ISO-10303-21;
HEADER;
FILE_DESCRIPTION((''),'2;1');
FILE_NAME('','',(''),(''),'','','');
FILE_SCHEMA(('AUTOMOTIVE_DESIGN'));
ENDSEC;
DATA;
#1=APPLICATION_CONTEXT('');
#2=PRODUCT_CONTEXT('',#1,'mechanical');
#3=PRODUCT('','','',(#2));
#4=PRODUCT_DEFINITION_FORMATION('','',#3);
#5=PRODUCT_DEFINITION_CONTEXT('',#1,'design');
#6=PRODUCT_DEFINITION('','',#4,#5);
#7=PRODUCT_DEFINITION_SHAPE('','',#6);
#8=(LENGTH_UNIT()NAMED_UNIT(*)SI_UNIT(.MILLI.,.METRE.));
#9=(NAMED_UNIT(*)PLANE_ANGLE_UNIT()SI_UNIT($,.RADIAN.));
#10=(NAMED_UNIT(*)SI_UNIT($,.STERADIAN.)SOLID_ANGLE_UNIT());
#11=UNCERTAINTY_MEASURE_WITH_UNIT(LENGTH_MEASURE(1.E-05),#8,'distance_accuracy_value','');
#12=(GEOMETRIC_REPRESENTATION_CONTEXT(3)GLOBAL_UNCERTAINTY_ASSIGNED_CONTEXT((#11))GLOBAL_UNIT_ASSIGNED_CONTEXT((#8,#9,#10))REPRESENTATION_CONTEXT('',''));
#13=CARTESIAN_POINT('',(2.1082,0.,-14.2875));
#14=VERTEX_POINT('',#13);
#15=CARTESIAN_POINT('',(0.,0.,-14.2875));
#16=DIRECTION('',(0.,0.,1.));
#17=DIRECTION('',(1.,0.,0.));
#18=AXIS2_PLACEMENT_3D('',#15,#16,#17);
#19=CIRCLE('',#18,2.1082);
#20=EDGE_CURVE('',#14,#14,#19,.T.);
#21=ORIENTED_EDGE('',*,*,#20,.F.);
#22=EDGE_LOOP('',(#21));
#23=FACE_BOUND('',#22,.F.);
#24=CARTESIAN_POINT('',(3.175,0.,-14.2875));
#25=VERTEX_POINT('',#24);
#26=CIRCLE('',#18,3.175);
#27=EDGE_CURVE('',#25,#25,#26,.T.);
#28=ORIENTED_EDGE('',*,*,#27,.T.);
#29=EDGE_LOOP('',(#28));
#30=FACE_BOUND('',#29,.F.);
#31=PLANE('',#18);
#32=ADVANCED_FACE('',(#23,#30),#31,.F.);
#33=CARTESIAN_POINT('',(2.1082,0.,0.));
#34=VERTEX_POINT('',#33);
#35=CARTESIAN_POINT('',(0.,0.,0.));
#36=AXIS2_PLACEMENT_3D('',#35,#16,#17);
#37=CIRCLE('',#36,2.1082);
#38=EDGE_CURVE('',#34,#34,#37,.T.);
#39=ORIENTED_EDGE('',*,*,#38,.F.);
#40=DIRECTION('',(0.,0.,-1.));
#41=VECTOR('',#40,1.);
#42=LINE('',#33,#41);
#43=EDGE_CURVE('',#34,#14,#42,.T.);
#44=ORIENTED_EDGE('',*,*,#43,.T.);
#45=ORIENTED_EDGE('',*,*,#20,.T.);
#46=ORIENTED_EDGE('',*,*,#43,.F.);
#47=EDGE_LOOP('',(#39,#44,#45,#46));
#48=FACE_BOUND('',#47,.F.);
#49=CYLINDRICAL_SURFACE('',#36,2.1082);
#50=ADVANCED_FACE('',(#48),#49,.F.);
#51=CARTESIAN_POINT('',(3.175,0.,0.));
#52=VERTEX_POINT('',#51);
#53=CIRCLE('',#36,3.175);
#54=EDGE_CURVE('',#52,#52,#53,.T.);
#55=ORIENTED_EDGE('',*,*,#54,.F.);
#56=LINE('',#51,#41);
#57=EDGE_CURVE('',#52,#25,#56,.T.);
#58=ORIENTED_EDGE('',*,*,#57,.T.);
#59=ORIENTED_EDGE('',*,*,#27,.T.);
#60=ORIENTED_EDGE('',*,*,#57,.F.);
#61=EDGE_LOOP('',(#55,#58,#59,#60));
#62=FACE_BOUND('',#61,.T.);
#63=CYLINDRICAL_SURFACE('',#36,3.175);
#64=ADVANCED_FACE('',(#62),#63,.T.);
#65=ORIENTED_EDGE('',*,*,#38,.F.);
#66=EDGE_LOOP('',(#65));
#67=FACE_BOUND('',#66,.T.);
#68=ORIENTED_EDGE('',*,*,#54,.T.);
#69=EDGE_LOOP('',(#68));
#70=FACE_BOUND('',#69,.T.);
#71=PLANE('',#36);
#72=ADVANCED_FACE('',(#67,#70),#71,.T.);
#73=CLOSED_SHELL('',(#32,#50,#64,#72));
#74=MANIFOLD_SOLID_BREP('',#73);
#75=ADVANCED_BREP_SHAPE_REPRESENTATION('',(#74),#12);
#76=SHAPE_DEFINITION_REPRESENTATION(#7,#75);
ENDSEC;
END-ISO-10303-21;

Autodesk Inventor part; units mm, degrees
ref_plane "YZ Plane" through (0, 0, 0) normal (1, 0, 0) x (0, 1, 0)
ref_plane "XZ Plane" through (0, 0, 0) normal (0, 1, 0) x (-1, 0, 0)
ref_plane "XY Plane" through (0, 0, 0) normal (0, 0, 1) x (1, 0, 0)
sketch "Sketch1" plane through (0, 0, 0) normal (0, 0, 1) x (1, 0, 0)
  circle A0 centre (0, 0) radius 3.175
  circle A1 centre (0, 0) radius 2.1082
  dimension "d0" = 6.35
  dimension "d1" = 4.2164
extrude "Extrusion1" add sketch "Sketch1" against normal blind 14.2875
properties part number ".25 #8 .5625 Spacer"
